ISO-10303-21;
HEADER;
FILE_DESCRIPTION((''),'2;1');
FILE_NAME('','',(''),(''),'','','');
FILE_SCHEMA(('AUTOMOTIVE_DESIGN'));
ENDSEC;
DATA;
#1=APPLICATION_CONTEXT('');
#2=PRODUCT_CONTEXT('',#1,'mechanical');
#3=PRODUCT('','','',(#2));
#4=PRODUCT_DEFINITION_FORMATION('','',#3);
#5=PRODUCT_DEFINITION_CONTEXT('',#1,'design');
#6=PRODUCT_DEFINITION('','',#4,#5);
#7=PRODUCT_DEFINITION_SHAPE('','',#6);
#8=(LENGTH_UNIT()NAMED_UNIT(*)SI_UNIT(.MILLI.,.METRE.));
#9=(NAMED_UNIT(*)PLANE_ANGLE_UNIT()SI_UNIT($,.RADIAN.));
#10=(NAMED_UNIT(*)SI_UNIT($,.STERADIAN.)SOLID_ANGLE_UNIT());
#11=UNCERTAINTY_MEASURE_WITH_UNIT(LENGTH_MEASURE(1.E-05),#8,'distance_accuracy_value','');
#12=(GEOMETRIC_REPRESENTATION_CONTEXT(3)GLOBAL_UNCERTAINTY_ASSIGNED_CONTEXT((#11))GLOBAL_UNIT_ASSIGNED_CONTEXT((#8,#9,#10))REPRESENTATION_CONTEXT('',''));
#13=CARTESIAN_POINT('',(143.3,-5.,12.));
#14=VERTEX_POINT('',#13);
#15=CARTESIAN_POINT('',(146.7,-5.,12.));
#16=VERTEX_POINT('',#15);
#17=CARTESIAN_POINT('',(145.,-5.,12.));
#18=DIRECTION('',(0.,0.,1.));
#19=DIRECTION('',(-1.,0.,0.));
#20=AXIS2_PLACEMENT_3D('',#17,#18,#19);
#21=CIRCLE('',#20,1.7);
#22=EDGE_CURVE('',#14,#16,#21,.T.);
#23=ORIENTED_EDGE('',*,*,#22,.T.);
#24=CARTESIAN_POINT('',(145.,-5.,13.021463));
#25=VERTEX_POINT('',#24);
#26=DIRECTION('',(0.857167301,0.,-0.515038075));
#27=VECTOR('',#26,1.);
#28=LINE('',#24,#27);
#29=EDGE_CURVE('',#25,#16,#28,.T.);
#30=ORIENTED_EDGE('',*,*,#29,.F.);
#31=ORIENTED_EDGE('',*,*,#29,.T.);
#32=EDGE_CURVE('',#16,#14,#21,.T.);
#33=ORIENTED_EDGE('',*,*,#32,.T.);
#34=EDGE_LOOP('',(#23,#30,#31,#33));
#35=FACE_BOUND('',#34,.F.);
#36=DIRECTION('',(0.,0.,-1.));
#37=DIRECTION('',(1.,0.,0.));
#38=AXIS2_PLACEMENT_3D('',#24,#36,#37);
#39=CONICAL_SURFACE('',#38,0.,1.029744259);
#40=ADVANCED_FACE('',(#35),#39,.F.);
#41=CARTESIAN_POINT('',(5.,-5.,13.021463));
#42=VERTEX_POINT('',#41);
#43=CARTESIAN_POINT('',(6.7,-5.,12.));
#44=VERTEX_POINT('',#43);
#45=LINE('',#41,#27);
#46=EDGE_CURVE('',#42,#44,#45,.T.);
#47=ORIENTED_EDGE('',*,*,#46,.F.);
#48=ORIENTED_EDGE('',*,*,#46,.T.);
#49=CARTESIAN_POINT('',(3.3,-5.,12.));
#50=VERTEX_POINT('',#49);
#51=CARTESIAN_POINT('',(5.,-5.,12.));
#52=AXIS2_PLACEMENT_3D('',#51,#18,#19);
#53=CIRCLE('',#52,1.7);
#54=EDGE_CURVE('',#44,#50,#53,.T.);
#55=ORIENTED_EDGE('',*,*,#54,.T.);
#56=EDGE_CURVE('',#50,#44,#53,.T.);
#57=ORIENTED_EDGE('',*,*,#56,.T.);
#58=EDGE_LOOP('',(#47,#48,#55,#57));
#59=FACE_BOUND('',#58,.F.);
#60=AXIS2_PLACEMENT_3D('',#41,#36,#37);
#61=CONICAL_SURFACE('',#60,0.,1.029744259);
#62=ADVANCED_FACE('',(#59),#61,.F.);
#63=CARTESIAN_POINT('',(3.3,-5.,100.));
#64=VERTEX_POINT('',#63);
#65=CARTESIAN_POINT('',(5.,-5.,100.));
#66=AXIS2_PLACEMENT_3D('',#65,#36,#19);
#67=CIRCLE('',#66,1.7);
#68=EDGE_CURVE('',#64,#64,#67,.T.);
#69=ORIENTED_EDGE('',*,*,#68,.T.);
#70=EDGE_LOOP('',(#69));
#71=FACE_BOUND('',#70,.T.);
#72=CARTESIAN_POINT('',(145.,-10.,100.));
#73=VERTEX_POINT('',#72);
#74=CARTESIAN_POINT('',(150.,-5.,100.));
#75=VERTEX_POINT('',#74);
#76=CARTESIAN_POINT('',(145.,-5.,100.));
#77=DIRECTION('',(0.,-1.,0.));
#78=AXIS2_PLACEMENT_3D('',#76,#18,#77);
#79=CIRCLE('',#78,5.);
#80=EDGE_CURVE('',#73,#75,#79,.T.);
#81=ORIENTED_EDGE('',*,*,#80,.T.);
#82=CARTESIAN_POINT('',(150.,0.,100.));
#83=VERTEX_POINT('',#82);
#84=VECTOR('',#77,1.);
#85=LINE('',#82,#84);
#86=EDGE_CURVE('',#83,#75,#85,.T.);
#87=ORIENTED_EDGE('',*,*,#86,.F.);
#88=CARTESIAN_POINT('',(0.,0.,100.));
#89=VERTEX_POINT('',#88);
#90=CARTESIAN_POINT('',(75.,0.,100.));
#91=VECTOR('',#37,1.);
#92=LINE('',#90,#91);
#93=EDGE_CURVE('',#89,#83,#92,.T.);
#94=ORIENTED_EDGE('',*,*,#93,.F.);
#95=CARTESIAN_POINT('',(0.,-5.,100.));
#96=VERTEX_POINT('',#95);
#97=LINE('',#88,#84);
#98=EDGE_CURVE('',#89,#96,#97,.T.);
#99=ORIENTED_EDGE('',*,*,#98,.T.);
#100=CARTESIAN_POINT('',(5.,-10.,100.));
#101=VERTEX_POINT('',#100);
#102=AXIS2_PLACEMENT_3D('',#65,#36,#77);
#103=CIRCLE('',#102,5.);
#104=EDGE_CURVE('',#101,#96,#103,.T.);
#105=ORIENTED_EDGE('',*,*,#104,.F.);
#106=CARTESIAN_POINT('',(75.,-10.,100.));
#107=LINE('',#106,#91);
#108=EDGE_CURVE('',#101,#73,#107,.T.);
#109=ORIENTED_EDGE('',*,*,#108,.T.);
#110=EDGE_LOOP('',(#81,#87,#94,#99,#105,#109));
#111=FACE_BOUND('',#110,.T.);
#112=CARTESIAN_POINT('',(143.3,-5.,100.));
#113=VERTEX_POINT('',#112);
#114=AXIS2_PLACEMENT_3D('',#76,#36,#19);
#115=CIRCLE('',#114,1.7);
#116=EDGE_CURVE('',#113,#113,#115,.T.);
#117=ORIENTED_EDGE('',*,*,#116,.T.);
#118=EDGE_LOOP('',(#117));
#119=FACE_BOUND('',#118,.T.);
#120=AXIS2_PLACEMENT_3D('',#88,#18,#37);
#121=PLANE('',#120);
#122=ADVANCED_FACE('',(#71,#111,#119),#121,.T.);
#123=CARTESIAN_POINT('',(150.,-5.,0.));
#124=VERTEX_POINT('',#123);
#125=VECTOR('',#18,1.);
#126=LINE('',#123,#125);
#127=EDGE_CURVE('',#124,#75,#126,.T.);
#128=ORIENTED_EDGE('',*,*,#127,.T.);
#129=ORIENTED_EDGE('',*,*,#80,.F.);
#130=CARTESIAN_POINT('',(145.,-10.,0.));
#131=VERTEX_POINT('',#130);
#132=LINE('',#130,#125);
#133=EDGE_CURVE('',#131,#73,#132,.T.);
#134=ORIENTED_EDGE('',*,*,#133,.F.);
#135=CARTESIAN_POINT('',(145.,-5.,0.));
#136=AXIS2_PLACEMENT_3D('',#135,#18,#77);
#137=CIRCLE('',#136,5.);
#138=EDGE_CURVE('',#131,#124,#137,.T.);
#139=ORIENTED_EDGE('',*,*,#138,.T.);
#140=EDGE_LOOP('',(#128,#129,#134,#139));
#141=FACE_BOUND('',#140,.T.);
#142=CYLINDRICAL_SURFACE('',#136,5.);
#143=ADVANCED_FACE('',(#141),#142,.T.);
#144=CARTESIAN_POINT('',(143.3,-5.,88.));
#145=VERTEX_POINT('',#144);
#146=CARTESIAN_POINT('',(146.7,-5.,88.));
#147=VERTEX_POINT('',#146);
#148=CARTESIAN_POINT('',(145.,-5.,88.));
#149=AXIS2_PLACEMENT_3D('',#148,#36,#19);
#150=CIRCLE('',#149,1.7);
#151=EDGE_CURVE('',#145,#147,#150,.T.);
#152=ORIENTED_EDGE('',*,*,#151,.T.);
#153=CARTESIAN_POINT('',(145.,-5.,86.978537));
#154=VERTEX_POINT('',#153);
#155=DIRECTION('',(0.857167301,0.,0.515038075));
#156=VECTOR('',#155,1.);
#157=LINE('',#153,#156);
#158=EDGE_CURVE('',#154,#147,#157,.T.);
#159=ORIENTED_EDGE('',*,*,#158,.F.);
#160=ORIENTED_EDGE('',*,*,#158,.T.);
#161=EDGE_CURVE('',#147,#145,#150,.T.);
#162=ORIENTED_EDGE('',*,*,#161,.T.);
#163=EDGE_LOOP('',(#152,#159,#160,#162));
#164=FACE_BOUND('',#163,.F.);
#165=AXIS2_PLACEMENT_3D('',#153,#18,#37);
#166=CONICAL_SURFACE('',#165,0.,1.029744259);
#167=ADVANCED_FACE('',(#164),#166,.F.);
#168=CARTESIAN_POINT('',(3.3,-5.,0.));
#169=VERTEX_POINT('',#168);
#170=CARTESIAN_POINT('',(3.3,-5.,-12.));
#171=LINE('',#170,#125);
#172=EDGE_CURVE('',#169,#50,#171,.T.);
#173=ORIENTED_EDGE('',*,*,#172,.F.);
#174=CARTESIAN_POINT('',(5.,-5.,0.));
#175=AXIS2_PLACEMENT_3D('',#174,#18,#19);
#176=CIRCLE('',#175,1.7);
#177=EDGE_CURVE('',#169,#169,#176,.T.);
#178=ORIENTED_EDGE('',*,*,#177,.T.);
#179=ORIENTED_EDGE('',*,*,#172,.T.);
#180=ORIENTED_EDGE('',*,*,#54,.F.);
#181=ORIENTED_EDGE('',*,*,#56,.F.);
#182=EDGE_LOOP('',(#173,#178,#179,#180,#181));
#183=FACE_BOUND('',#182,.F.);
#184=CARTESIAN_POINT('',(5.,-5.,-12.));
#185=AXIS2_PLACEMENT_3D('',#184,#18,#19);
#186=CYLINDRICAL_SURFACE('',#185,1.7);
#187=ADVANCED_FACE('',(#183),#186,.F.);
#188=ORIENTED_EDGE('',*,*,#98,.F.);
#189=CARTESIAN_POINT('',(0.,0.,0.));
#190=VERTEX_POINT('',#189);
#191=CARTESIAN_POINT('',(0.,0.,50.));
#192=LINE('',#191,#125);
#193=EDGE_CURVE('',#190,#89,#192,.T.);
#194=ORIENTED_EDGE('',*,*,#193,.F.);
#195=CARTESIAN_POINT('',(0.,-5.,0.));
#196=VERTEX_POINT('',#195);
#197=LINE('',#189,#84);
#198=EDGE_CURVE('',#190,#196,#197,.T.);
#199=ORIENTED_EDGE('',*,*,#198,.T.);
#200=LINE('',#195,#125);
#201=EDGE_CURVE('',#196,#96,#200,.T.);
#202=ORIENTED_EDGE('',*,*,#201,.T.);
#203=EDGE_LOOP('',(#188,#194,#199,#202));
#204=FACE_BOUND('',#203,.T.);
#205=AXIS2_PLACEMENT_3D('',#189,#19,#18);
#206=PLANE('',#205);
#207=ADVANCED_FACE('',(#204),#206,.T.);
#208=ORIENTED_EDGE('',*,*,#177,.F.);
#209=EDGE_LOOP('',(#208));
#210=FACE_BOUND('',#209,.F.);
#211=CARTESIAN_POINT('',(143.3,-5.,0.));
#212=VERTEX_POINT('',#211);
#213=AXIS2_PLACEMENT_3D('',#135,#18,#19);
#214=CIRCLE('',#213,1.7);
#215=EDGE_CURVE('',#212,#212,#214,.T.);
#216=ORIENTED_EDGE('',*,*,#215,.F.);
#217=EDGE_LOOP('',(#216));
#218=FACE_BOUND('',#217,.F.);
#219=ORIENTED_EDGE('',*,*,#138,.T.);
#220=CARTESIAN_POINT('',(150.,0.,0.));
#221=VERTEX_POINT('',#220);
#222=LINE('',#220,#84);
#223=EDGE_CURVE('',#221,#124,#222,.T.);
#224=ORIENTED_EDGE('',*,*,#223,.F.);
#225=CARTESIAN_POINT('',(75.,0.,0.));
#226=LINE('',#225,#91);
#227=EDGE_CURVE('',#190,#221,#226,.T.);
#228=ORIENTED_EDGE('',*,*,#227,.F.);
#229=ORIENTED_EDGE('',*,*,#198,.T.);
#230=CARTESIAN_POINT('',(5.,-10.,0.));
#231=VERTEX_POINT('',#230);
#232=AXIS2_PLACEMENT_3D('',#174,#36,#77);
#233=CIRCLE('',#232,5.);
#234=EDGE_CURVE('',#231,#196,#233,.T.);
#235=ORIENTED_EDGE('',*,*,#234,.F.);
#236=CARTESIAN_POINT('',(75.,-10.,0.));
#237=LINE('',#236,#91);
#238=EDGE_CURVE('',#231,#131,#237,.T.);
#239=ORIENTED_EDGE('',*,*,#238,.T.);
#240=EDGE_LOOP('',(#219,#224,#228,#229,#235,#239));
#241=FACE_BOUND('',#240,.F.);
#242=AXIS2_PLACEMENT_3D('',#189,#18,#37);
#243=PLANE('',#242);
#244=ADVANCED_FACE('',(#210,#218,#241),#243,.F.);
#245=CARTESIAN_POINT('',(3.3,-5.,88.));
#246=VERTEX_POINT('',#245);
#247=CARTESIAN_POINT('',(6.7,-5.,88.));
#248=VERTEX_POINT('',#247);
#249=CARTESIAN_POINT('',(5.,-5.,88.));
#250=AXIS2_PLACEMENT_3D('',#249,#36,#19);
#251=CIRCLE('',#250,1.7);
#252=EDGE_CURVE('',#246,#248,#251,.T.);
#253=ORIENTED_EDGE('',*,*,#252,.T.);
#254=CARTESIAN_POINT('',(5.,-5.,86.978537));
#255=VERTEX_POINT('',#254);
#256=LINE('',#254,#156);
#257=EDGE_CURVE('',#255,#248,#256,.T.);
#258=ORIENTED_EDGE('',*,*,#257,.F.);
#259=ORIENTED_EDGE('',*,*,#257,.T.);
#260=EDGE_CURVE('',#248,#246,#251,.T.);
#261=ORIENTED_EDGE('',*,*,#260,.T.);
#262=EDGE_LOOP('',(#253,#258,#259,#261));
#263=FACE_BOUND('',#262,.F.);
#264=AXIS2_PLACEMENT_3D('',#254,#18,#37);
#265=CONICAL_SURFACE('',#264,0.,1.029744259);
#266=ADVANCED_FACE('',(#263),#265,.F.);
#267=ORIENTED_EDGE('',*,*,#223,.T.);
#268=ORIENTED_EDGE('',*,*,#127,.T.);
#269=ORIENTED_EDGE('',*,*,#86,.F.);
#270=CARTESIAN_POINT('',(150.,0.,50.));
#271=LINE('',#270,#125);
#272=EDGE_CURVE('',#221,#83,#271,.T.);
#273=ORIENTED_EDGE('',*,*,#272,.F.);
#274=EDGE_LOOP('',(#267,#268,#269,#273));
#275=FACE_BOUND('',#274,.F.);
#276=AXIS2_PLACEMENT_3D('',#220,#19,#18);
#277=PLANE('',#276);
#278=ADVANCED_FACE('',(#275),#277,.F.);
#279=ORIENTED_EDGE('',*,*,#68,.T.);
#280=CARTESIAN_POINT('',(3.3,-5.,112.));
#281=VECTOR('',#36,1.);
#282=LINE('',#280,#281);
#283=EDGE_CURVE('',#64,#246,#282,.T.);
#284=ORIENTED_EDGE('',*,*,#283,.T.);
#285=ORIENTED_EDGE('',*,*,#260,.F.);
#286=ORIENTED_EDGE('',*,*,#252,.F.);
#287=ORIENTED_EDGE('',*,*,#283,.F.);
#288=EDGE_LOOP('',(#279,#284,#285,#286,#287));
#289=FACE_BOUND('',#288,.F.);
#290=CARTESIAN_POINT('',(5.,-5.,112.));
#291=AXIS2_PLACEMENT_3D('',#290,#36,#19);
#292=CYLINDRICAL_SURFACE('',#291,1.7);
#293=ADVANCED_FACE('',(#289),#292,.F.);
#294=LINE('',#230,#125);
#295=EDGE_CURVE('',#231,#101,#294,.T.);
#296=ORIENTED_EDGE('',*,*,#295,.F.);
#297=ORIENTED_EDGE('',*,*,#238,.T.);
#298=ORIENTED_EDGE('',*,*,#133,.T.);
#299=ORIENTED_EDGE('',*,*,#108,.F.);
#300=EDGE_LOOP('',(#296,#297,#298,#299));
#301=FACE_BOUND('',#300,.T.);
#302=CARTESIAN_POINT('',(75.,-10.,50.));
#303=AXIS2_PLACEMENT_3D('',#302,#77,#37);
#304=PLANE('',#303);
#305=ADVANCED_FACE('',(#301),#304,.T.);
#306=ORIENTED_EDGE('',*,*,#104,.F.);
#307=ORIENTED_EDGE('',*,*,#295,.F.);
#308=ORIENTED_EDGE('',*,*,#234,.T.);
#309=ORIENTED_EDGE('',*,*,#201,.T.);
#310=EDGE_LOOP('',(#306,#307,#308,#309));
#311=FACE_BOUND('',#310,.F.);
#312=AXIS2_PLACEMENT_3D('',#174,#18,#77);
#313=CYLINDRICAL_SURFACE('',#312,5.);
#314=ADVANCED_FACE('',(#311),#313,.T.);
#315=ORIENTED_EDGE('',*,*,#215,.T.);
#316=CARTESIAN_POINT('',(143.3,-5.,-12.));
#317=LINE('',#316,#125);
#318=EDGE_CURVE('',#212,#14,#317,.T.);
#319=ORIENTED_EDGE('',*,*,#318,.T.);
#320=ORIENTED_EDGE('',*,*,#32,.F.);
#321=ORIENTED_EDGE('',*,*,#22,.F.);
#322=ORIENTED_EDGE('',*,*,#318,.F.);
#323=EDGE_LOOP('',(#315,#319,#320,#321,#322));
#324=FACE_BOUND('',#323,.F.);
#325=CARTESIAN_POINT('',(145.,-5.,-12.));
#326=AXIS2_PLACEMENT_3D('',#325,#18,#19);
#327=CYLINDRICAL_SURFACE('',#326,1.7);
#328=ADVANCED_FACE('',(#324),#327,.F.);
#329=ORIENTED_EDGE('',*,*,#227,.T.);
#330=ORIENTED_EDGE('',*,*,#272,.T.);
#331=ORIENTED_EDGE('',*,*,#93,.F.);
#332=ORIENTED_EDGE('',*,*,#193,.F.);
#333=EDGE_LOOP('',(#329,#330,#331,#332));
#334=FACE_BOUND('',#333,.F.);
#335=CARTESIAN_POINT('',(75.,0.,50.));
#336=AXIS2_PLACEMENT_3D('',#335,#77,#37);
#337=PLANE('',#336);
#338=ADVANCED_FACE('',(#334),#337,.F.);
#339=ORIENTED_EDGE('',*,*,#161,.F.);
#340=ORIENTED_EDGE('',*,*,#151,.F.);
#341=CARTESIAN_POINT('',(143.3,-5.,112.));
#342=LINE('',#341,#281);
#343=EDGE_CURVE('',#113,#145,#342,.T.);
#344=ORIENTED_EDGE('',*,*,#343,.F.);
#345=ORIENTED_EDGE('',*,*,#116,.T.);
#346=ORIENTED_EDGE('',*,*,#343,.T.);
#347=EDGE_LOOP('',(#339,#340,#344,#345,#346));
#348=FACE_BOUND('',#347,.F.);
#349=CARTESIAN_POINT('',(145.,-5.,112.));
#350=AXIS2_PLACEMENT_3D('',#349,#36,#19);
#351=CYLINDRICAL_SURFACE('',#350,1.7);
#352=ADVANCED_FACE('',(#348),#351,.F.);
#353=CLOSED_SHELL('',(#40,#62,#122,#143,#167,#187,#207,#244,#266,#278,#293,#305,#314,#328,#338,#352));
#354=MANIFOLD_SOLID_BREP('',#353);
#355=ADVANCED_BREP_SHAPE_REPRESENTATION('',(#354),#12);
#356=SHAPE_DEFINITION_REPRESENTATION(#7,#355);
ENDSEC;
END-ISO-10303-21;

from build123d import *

# Parameters (mm, degrees)
F0_W     = 150
F0_H     = 100
F1_DEPTH = 10
F3_D     = 3.4
F3_DEPTH = 12
F3_TIP   = 1.0214630523
F4_D     = 3.4
F4_DEPTH = 12
F4_TIP   = 1.0214630523
F6_D     = 3.4
F6_DEPTH = 12
F6_TIP   = 1.0214630523
F7_D     = 3.4
F7_DEPTH = 12
F7_TIP   = 1.0214630523
F8_R     = 5
F9_R     = 5


with BuildPart() as f1:
    # F0 (on Front) → F1 (new body)
    with BuildSketch(Plane.XZ):
        with Locations((75, 50)):
            Rectangle(F0_W, F0_H)
    extrude(amount=F1_DEPTH)

    # F3
    with Locations(Plane.XY.offset(100)):
        with Locations((145, -5)):
            Hole(F3_D / 2, depth=F3_DEPTH)
            with Locations((0, 0, -(F3_DEPTH + F3_TIP / 2))):  # 118° drill point
                Cone(0, F3_D / 2, F3_TIP, mode=Mode.SUBTRACT)

    # F4
    with Locations(Plane.XY.offset(100)):
        with Locations((5, -5)):
            Hole(F4_D / 2, depth=F4_DEPTH)
            with Locations((0, 0, -(F4_DEPTH + F4_TIP / 2))):  # 118° drill point
                Cone(0, F4_D / 2, F4_TIP, mode=Mode.SUBTRACT)

    # F6
    with Locations(Plane(origin=(0, 0, 0), x_dir=(1, 0, 0), z_dir=(0, 0, -1))):
        with Locations((145, 5)):
            Hole(F6_D / 2, depth=F6_DEPTH)
            with Locations((0, 0, -(F6_DEPTH + F6_TIP / 2))):  # 118° drill point
                Cone(0, F6_D / 2, F6_TIP, mode=Mode.SUBTRACT)

    # F7
    with Locations(Plane(origin=(0, 0, 0), x_dir=(1, 0, 0), z_dir=(0, 0, -1))):
        with Locations((5, 5)):
            Hole(F7_D / 2, depth=F7_DEPTH)
            with Locations((0, 0, -(F7_DEPTH + F7_TIP / 2))):  # 118° drill point
                Cone(0, F7_D / 2, F7_TIP, mode=Mode.SUBTRACT)

    # F8
    f8_edges = [f1.edges().sort_by_distance(p)[0] for p in [
        (150, -10, 50),
    ]]
    fillet(f8_edges, radius=F8_R)

    # F9
    f9_edges = [f1.edges().sort_by_distance(p)[0] for p in [
        (0, -10, 50),
    ]]
    fillet(f9_edges, radius=F9_R)


solid = f1.part
